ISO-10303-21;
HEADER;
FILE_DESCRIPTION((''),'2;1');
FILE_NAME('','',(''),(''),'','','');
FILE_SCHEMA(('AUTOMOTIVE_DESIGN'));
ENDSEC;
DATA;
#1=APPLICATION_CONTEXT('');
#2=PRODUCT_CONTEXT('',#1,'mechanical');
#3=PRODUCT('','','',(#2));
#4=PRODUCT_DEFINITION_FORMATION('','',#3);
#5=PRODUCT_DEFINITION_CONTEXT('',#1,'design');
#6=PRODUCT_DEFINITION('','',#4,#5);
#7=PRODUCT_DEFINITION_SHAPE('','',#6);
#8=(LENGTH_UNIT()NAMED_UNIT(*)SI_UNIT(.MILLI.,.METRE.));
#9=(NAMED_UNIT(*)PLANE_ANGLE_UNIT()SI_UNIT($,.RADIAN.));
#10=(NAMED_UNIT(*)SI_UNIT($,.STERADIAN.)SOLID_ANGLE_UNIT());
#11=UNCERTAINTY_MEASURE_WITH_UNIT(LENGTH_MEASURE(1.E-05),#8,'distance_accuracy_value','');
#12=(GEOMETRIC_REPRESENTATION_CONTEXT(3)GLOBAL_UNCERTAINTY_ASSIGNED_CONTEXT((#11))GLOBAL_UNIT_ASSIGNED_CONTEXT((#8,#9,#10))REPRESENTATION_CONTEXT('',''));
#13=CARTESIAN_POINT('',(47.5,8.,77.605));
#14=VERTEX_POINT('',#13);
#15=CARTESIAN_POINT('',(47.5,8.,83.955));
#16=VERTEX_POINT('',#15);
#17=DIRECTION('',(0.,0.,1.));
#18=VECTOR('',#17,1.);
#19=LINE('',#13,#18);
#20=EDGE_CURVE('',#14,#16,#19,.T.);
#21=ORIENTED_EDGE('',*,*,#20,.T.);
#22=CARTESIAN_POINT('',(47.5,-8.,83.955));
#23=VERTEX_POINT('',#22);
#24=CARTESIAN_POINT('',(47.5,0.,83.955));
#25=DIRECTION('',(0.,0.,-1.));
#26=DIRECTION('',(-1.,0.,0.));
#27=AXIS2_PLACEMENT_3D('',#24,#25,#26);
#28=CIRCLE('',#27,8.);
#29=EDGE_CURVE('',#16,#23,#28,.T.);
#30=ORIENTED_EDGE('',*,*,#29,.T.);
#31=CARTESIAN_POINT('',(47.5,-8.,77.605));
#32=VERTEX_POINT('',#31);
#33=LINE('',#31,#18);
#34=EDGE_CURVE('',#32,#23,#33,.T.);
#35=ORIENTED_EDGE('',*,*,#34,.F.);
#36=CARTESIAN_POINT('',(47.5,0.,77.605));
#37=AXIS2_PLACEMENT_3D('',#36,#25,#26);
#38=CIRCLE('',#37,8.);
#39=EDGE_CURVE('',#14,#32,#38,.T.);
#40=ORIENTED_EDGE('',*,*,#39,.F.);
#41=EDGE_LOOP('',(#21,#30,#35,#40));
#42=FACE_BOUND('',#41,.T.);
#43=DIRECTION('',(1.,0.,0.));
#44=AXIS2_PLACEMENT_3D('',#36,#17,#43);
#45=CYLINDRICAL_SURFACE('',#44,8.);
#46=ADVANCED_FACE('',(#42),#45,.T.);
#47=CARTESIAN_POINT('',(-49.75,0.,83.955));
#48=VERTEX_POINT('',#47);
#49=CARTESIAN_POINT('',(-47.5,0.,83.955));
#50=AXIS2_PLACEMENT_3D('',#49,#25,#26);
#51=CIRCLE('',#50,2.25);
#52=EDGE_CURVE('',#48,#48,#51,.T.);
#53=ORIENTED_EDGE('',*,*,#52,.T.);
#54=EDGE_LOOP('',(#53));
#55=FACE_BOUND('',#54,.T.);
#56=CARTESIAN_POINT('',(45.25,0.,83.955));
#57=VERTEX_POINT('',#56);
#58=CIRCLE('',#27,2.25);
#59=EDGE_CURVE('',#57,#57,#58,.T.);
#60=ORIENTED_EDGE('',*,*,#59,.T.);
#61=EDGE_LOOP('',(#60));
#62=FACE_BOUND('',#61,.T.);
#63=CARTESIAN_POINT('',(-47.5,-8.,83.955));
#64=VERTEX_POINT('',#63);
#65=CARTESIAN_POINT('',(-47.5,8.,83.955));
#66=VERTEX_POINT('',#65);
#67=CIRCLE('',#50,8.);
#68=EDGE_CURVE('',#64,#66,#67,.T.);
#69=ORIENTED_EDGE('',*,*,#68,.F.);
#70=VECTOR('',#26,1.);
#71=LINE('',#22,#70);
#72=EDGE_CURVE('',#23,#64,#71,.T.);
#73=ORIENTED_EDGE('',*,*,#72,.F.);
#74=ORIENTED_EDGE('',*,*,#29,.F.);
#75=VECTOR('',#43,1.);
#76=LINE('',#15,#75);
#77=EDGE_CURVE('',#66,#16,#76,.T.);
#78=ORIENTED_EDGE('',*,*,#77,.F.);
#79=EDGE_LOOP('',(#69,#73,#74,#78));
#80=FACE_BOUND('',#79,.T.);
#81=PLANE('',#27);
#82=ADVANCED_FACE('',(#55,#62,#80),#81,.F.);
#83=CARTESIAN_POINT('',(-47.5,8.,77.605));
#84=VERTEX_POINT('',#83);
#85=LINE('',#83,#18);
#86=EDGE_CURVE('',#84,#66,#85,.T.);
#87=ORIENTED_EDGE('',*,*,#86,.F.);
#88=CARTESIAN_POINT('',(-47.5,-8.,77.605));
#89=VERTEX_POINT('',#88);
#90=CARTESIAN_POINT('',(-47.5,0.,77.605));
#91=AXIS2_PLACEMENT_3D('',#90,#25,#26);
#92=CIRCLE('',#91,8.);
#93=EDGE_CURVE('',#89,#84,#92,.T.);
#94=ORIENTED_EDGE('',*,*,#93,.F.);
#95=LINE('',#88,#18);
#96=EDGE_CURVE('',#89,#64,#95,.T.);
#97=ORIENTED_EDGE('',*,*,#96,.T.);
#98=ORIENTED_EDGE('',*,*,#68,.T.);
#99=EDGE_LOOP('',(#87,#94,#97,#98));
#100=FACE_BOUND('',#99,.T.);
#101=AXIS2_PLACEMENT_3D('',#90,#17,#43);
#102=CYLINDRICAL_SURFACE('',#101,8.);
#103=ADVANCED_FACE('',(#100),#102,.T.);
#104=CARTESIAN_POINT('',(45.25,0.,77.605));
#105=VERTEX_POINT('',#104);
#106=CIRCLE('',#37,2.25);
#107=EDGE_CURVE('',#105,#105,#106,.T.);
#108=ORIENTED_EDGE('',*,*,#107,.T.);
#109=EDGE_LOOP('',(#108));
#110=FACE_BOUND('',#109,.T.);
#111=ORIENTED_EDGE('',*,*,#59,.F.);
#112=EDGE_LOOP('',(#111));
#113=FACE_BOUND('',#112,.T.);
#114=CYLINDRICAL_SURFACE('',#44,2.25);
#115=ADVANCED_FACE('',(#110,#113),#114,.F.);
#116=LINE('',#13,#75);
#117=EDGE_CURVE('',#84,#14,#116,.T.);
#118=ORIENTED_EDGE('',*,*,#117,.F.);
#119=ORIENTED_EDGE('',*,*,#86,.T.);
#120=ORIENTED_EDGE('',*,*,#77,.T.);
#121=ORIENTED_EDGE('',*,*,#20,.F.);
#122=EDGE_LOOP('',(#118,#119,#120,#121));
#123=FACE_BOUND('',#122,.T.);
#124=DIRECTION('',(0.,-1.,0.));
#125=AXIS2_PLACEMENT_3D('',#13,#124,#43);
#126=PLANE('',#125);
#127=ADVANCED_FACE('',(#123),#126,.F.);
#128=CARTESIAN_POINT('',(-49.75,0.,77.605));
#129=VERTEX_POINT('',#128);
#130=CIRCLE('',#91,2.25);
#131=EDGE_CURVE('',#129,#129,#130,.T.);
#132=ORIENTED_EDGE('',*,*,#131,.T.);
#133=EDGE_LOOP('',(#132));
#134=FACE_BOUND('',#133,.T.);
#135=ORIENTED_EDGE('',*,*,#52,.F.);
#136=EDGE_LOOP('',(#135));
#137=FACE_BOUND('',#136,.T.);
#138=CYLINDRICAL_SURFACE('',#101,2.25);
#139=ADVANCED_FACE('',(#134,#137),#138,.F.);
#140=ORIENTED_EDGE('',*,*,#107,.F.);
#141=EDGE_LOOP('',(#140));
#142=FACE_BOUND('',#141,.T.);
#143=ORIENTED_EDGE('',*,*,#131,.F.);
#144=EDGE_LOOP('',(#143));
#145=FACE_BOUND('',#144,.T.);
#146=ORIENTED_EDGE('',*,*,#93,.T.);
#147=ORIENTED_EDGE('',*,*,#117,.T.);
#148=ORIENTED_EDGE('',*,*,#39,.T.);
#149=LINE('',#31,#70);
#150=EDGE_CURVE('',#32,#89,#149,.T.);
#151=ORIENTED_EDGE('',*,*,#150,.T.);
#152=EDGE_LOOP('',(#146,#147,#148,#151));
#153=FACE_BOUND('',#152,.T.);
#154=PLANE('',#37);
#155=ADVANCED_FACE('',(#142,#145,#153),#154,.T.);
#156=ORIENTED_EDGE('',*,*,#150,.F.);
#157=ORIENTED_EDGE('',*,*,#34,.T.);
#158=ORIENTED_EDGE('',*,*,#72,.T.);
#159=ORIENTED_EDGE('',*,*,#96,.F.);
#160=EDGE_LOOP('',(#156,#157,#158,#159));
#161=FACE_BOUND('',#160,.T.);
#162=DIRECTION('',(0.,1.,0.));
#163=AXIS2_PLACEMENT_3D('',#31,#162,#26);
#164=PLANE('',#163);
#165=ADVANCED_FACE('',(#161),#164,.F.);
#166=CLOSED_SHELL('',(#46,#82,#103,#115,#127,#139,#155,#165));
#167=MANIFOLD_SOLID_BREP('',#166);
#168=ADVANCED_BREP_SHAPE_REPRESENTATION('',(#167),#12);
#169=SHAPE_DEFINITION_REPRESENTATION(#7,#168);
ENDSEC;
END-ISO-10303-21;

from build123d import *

# Parameters (mm, degrees)
SKETCH2_R           = 2.25
BOSS_EXTRUDE1_DEPTH = 6.35


with BuildPart() as part:
    # Sketch2 → Boss-Extrude1 (new body)
    with BuildSketch(Plane(origin=(0, 0, 83.955), x_dir=(-1, 0, 0), z_dir=(0, 0, -1))):
        with BuildLine():
            Line((-47.5, 8), (47.5, 8))
            ThreePointArc((47.5, 8), (55.5, 0), (47.5, -8))
            Line((47.5, -8), (-47.5, -8))
            ThreePointArc((-47.5, -8), (-55.5, 0), (-47.5, 8))
        make_face()
        with Locations((-47.5, 0)):
            Circle(SKETCH2_R, mode=Mode.SUBTRACT)
        with Locations((47.5, 0)):
            Circle(SKETCH2_R, mode=Mode.SUBTRACT)
    extrude(amount=BOSS_EXTRUDE1_DEPTH)


solid = part.part
